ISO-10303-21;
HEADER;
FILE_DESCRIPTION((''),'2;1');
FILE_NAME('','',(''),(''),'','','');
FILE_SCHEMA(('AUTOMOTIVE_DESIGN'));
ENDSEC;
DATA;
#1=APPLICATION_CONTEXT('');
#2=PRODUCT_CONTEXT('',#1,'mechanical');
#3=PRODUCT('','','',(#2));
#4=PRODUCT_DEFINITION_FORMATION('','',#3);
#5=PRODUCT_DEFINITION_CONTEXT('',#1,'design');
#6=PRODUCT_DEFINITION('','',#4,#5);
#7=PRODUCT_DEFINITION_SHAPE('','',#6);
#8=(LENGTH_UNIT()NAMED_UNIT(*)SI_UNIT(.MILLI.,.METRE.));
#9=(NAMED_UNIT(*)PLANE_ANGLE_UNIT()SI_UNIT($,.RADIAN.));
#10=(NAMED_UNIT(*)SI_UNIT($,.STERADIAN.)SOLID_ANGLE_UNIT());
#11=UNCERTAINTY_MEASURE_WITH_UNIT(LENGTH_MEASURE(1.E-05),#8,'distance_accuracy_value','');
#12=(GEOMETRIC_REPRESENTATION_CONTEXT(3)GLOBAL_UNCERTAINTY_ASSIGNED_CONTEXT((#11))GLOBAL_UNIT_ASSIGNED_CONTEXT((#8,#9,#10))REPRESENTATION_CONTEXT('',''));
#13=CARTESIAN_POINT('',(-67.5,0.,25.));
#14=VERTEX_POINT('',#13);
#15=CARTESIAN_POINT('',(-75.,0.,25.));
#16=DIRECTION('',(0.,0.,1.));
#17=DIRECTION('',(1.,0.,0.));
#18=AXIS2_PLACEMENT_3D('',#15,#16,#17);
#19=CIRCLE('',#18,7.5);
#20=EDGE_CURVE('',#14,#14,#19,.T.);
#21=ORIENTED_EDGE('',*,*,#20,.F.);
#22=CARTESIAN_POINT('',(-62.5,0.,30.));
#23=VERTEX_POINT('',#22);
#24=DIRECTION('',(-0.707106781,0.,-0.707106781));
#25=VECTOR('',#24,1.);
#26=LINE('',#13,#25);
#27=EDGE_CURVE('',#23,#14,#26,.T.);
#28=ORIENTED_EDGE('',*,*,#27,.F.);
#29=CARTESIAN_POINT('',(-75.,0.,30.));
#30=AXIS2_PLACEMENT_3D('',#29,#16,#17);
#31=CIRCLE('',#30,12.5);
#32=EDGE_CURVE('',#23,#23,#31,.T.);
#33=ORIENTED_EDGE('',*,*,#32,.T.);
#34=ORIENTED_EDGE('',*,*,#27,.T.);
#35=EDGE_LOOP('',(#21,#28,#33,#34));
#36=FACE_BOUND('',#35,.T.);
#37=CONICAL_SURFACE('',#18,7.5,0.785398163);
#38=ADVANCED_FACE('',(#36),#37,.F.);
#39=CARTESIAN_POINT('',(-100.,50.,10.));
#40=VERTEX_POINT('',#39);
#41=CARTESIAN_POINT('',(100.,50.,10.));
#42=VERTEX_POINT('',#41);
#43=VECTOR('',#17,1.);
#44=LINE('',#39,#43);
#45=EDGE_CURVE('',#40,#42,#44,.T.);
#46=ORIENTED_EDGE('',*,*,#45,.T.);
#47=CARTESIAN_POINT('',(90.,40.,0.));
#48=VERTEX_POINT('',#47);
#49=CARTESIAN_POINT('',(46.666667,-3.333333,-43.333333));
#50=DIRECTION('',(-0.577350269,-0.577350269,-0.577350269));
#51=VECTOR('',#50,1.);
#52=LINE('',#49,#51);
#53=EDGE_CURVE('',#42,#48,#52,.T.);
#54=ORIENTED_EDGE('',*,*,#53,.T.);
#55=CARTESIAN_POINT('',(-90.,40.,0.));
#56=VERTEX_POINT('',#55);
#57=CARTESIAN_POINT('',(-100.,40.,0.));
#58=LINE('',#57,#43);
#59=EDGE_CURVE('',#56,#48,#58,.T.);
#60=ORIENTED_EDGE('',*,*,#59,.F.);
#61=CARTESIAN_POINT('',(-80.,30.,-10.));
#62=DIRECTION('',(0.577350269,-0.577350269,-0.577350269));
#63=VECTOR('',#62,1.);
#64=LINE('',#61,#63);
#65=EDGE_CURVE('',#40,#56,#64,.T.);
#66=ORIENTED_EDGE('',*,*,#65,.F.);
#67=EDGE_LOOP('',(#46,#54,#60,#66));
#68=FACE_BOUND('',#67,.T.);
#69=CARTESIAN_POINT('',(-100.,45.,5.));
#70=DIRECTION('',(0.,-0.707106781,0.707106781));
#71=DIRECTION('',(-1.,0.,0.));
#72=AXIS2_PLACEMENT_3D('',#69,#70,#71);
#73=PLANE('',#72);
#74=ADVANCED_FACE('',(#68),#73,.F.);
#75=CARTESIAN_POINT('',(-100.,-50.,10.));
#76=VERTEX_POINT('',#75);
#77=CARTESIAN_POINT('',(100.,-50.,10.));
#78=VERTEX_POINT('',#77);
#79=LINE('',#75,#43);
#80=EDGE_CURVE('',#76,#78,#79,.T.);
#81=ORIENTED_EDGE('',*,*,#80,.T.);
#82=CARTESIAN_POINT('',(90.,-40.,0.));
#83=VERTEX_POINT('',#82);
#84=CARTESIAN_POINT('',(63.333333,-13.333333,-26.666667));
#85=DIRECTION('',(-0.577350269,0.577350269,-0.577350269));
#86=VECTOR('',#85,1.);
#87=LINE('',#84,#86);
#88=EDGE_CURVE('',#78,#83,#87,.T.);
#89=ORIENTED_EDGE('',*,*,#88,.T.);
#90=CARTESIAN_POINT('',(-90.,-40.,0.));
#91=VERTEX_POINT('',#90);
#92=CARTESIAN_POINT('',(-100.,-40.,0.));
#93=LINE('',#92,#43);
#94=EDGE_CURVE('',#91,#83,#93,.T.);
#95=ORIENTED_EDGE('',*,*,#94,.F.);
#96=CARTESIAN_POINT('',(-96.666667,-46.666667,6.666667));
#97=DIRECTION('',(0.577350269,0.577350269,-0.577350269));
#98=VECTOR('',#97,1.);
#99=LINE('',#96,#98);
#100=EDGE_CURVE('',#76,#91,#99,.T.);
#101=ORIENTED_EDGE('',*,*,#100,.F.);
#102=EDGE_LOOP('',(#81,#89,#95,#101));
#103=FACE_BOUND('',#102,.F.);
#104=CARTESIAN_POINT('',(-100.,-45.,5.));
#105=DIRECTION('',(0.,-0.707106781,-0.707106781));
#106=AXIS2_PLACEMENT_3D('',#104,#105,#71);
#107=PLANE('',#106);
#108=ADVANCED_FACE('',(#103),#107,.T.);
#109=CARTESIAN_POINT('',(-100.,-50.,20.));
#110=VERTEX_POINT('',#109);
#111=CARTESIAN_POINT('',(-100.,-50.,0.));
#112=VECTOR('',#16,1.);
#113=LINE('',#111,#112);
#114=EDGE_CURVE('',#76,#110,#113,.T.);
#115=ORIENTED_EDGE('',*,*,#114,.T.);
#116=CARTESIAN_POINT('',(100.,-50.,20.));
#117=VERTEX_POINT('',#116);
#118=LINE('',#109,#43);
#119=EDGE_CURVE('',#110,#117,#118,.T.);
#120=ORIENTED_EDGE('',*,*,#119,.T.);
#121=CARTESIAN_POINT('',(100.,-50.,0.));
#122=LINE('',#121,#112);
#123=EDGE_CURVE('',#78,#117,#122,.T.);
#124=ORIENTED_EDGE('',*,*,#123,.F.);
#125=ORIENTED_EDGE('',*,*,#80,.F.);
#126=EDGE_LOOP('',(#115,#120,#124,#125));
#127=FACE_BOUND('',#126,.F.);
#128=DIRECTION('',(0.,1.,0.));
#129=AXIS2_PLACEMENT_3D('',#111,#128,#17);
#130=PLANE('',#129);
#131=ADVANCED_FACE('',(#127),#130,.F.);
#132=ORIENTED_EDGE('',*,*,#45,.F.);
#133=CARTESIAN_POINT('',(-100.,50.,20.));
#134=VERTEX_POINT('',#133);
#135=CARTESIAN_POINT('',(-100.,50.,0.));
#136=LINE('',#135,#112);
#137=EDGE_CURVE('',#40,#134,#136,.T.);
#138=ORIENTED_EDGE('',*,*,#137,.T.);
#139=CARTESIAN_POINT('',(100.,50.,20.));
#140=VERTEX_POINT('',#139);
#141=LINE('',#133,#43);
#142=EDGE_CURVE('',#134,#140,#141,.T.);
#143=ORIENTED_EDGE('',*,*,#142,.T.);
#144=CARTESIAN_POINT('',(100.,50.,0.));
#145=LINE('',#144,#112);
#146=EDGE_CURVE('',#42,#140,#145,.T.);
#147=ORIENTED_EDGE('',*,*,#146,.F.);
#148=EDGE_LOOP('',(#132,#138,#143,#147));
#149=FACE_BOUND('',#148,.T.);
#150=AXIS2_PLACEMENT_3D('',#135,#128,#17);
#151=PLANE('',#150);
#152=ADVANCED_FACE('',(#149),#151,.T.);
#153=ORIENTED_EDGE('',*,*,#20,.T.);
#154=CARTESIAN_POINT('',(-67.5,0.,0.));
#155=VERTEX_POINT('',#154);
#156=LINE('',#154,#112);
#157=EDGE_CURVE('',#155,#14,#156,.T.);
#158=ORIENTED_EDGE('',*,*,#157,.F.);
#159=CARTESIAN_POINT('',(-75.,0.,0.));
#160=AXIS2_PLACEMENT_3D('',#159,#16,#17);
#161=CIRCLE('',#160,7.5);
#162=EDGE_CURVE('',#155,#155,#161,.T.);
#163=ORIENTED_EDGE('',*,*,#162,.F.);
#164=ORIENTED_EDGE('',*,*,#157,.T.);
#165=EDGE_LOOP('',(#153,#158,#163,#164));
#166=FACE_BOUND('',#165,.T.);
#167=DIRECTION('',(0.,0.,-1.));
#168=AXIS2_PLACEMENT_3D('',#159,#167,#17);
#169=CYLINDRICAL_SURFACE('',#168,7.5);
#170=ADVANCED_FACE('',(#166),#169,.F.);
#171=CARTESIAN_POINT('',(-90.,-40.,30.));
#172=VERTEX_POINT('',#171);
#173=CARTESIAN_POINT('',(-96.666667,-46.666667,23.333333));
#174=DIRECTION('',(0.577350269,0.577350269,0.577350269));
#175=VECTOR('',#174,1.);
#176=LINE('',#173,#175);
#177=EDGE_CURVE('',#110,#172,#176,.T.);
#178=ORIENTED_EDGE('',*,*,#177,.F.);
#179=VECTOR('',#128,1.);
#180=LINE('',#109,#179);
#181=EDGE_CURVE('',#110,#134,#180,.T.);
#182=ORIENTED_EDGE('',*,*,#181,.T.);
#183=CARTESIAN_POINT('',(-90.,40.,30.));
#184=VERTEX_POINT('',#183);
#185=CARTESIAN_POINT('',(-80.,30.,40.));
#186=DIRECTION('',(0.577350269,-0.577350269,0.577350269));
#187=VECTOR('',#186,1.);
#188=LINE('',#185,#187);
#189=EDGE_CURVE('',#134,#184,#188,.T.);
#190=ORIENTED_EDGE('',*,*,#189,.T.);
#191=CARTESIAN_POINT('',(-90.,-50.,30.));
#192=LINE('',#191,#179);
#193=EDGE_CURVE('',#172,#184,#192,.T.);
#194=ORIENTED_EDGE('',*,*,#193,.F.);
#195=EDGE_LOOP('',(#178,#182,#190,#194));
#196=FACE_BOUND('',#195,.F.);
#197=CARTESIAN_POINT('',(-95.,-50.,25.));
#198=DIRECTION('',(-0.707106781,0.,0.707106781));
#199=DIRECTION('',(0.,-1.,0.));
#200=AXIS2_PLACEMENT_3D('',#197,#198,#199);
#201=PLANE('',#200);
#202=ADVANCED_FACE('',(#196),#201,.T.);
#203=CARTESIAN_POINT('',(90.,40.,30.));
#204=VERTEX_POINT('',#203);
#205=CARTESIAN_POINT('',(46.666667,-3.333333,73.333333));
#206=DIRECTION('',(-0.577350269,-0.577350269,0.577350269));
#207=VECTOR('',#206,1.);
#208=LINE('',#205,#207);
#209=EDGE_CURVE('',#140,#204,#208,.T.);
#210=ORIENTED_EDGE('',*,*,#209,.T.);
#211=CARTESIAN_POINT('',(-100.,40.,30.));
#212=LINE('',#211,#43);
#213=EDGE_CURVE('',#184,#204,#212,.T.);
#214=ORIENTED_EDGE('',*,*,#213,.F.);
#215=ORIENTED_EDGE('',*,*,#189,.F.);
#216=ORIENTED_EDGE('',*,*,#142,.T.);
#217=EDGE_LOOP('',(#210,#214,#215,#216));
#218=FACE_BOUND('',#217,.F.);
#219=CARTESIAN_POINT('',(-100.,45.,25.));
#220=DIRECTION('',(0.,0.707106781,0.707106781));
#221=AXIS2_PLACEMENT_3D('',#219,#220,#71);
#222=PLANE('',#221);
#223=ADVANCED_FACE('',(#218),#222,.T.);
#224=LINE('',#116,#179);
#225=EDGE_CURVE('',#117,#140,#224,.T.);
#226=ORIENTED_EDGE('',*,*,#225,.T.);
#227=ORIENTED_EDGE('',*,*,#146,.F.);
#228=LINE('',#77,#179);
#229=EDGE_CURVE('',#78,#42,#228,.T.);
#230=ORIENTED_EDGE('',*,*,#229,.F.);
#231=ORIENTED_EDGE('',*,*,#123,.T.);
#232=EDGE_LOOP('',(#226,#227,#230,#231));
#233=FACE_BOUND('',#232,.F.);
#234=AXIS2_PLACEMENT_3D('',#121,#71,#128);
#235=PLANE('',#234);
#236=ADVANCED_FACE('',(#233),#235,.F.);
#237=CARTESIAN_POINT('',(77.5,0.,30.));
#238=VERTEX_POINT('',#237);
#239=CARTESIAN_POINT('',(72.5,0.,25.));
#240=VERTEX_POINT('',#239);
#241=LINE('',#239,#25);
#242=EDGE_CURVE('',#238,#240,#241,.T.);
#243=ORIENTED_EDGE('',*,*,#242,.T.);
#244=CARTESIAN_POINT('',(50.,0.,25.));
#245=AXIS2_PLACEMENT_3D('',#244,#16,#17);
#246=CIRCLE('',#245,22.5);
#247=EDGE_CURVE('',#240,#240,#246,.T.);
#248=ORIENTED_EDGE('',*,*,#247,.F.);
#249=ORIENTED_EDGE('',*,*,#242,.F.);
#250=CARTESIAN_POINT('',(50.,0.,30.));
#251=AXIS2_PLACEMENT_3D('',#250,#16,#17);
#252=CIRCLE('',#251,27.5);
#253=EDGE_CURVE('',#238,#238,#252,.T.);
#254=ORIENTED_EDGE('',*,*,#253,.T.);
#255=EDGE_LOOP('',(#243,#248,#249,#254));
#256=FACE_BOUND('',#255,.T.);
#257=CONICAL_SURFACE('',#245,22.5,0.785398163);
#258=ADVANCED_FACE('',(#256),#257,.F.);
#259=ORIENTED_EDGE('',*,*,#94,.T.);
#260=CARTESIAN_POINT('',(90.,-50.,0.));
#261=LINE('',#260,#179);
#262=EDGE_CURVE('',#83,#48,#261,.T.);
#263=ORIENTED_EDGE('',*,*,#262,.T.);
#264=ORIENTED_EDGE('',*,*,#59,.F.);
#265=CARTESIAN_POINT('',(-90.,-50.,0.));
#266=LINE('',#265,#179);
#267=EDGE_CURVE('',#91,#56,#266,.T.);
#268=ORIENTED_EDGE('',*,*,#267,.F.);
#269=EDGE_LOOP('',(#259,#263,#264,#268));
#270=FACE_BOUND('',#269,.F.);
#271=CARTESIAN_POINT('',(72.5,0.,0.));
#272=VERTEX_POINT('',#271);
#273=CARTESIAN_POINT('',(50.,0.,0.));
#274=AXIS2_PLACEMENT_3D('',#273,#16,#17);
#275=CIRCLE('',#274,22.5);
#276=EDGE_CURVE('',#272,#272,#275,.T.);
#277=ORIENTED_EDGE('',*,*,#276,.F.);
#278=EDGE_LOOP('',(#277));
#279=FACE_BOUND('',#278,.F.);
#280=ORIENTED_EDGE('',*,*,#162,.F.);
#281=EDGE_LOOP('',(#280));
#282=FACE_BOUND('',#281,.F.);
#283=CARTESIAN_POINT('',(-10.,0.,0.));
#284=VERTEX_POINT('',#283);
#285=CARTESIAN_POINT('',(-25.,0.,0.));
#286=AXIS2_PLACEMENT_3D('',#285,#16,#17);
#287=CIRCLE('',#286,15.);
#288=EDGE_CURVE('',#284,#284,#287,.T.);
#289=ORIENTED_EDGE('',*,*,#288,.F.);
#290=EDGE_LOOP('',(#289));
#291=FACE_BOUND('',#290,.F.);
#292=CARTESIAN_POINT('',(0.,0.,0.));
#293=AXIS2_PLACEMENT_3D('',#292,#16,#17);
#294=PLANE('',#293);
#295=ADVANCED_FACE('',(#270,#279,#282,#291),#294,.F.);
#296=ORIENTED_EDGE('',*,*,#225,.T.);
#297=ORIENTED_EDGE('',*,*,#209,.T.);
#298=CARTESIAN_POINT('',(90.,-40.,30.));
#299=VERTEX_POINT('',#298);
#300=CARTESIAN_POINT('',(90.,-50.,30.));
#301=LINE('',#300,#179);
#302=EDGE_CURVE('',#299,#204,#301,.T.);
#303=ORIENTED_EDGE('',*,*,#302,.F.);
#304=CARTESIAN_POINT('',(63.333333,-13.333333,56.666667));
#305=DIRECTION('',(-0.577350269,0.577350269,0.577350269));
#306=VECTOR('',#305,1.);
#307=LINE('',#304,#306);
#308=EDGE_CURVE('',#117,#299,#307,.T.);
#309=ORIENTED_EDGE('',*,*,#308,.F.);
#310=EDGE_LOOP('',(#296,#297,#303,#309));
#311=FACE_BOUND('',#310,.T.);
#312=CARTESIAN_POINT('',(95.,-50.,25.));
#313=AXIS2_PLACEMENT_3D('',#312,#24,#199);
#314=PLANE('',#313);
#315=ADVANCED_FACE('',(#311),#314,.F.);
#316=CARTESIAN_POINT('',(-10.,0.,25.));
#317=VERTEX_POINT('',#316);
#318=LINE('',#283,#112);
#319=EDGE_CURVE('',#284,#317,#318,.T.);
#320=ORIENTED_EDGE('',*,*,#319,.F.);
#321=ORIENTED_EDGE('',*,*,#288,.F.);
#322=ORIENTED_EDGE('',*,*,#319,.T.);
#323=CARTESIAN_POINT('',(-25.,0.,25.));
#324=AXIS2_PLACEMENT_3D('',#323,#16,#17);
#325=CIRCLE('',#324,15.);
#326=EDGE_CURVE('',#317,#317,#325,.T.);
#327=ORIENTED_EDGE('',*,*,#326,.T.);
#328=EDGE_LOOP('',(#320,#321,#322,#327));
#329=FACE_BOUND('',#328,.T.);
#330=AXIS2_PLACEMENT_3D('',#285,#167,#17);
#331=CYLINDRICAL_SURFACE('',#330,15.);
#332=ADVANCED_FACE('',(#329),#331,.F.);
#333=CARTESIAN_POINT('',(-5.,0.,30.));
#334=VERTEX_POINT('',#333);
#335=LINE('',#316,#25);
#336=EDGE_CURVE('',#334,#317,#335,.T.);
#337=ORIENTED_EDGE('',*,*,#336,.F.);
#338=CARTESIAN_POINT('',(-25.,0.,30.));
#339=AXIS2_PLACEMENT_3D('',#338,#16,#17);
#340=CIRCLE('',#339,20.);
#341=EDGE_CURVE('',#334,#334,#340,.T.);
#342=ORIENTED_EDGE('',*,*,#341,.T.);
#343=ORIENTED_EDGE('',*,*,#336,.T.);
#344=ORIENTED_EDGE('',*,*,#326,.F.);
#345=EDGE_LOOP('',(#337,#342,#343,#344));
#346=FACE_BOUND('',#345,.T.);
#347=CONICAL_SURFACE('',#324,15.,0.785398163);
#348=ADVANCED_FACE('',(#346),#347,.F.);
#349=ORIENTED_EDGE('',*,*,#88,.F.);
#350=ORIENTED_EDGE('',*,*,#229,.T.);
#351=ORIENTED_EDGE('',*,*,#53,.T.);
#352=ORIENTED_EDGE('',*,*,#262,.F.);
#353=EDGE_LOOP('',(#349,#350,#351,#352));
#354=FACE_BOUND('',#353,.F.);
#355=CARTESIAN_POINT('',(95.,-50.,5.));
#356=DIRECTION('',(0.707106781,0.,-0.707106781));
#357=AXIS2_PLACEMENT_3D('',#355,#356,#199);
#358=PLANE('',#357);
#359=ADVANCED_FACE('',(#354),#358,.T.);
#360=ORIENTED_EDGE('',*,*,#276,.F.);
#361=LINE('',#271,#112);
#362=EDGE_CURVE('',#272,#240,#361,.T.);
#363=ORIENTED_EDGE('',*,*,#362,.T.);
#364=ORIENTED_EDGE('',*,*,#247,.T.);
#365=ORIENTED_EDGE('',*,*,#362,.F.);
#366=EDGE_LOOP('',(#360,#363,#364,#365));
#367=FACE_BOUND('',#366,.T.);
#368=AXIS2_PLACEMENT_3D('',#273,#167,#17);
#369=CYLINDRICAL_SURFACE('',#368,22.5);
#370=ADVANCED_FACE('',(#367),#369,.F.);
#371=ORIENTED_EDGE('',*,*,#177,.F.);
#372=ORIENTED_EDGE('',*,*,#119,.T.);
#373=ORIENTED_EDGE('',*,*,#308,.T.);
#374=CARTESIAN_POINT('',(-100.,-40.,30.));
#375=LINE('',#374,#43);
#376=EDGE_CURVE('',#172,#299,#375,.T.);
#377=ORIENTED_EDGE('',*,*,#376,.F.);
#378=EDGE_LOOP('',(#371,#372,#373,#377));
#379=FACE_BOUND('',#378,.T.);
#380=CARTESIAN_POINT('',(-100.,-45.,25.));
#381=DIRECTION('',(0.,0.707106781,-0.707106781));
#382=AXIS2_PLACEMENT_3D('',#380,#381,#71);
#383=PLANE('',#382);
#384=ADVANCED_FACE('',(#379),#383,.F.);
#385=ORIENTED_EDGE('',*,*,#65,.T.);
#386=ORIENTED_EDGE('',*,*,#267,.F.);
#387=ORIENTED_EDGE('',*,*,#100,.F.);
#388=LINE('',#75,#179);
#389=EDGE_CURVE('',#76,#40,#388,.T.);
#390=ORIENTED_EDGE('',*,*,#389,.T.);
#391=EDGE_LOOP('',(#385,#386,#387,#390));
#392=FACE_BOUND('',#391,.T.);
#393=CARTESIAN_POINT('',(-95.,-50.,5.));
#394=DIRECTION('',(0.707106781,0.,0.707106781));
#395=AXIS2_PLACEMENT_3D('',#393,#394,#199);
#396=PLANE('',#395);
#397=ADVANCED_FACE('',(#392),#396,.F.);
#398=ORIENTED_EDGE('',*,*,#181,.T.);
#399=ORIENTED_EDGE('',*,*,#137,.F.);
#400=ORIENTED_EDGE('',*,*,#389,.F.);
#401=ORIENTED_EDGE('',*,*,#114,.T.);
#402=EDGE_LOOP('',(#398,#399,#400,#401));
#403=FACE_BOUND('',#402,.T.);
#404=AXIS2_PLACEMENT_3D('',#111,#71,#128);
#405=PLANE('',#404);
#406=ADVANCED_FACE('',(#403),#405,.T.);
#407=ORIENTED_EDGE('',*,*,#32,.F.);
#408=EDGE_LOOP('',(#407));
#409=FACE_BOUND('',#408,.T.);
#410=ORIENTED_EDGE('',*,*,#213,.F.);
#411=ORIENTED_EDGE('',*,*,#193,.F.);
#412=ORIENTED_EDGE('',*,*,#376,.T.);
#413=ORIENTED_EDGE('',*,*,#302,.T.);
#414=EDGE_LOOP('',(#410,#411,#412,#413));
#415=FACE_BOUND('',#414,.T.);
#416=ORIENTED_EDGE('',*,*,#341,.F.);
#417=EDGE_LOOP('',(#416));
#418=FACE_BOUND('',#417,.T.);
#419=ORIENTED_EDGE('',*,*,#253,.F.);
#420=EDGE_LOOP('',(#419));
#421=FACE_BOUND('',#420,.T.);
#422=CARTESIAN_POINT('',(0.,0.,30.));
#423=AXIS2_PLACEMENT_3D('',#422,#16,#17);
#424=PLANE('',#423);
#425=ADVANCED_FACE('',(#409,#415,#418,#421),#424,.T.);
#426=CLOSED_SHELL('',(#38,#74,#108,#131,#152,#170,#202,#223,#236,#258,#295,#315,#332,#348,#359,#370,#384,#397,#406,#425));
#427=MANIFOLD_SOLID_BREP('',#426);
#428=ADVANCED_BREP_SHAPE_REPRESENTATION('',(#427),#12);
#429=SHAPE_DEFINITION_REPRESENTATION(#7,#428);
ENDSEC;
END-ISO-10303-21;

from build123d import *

# Parameters (mm, degrees)
F0_W     = 200
F0_H     = 100
F0_R     = 7.5
F0_R_2   = 15
F0_R_3   = 22.5
F1_DEPTH = 30
F2_SIZE  = 10
F3_SIZE  = 5


with BuildPart() as f1:
    # F0 (on Top) → F1 (new body)
    with BuildSketch(Plane.XY):
        Rectangle(F0_W, F0_H)
        with Locations((-75, 0)):
            Circle(F0_R, mode=Mode.SUBTRACT)
        with Locations((-25, 0)):
            Circle(F0_R_2, mode=Mode.SUBTRACT)
        with Locations((50, 0)):
            Circle(F0_R_3, mode=Mode.SUBTRACT)
    extrude(amount=F1_DEPTH)

    # F2
    f2_edges = [f1.edges().sort_by_distance(p)[0] for p in [
        (-100, 0, 30),
        (0, -50, 30),
        (100, 0, 30),
        (0, 50, 30),
        (0, -50, 0),
        (-100, 0, 0),
        (100, 0, 0),
        (0, 50, 0),
    ]]
    chamfer(f2_edges, length=F2_SIZE)

    # F3
    f3_edges = [f1.edges().sort_by_distance(p)[0] for p in [
        (-82.5, 0, 30),
        (-40, 0, 30),
        (27.5, 0, 30),
    ]]
    chamfer(f3_edges, length=F3_SIZE)


solid = f1.part
